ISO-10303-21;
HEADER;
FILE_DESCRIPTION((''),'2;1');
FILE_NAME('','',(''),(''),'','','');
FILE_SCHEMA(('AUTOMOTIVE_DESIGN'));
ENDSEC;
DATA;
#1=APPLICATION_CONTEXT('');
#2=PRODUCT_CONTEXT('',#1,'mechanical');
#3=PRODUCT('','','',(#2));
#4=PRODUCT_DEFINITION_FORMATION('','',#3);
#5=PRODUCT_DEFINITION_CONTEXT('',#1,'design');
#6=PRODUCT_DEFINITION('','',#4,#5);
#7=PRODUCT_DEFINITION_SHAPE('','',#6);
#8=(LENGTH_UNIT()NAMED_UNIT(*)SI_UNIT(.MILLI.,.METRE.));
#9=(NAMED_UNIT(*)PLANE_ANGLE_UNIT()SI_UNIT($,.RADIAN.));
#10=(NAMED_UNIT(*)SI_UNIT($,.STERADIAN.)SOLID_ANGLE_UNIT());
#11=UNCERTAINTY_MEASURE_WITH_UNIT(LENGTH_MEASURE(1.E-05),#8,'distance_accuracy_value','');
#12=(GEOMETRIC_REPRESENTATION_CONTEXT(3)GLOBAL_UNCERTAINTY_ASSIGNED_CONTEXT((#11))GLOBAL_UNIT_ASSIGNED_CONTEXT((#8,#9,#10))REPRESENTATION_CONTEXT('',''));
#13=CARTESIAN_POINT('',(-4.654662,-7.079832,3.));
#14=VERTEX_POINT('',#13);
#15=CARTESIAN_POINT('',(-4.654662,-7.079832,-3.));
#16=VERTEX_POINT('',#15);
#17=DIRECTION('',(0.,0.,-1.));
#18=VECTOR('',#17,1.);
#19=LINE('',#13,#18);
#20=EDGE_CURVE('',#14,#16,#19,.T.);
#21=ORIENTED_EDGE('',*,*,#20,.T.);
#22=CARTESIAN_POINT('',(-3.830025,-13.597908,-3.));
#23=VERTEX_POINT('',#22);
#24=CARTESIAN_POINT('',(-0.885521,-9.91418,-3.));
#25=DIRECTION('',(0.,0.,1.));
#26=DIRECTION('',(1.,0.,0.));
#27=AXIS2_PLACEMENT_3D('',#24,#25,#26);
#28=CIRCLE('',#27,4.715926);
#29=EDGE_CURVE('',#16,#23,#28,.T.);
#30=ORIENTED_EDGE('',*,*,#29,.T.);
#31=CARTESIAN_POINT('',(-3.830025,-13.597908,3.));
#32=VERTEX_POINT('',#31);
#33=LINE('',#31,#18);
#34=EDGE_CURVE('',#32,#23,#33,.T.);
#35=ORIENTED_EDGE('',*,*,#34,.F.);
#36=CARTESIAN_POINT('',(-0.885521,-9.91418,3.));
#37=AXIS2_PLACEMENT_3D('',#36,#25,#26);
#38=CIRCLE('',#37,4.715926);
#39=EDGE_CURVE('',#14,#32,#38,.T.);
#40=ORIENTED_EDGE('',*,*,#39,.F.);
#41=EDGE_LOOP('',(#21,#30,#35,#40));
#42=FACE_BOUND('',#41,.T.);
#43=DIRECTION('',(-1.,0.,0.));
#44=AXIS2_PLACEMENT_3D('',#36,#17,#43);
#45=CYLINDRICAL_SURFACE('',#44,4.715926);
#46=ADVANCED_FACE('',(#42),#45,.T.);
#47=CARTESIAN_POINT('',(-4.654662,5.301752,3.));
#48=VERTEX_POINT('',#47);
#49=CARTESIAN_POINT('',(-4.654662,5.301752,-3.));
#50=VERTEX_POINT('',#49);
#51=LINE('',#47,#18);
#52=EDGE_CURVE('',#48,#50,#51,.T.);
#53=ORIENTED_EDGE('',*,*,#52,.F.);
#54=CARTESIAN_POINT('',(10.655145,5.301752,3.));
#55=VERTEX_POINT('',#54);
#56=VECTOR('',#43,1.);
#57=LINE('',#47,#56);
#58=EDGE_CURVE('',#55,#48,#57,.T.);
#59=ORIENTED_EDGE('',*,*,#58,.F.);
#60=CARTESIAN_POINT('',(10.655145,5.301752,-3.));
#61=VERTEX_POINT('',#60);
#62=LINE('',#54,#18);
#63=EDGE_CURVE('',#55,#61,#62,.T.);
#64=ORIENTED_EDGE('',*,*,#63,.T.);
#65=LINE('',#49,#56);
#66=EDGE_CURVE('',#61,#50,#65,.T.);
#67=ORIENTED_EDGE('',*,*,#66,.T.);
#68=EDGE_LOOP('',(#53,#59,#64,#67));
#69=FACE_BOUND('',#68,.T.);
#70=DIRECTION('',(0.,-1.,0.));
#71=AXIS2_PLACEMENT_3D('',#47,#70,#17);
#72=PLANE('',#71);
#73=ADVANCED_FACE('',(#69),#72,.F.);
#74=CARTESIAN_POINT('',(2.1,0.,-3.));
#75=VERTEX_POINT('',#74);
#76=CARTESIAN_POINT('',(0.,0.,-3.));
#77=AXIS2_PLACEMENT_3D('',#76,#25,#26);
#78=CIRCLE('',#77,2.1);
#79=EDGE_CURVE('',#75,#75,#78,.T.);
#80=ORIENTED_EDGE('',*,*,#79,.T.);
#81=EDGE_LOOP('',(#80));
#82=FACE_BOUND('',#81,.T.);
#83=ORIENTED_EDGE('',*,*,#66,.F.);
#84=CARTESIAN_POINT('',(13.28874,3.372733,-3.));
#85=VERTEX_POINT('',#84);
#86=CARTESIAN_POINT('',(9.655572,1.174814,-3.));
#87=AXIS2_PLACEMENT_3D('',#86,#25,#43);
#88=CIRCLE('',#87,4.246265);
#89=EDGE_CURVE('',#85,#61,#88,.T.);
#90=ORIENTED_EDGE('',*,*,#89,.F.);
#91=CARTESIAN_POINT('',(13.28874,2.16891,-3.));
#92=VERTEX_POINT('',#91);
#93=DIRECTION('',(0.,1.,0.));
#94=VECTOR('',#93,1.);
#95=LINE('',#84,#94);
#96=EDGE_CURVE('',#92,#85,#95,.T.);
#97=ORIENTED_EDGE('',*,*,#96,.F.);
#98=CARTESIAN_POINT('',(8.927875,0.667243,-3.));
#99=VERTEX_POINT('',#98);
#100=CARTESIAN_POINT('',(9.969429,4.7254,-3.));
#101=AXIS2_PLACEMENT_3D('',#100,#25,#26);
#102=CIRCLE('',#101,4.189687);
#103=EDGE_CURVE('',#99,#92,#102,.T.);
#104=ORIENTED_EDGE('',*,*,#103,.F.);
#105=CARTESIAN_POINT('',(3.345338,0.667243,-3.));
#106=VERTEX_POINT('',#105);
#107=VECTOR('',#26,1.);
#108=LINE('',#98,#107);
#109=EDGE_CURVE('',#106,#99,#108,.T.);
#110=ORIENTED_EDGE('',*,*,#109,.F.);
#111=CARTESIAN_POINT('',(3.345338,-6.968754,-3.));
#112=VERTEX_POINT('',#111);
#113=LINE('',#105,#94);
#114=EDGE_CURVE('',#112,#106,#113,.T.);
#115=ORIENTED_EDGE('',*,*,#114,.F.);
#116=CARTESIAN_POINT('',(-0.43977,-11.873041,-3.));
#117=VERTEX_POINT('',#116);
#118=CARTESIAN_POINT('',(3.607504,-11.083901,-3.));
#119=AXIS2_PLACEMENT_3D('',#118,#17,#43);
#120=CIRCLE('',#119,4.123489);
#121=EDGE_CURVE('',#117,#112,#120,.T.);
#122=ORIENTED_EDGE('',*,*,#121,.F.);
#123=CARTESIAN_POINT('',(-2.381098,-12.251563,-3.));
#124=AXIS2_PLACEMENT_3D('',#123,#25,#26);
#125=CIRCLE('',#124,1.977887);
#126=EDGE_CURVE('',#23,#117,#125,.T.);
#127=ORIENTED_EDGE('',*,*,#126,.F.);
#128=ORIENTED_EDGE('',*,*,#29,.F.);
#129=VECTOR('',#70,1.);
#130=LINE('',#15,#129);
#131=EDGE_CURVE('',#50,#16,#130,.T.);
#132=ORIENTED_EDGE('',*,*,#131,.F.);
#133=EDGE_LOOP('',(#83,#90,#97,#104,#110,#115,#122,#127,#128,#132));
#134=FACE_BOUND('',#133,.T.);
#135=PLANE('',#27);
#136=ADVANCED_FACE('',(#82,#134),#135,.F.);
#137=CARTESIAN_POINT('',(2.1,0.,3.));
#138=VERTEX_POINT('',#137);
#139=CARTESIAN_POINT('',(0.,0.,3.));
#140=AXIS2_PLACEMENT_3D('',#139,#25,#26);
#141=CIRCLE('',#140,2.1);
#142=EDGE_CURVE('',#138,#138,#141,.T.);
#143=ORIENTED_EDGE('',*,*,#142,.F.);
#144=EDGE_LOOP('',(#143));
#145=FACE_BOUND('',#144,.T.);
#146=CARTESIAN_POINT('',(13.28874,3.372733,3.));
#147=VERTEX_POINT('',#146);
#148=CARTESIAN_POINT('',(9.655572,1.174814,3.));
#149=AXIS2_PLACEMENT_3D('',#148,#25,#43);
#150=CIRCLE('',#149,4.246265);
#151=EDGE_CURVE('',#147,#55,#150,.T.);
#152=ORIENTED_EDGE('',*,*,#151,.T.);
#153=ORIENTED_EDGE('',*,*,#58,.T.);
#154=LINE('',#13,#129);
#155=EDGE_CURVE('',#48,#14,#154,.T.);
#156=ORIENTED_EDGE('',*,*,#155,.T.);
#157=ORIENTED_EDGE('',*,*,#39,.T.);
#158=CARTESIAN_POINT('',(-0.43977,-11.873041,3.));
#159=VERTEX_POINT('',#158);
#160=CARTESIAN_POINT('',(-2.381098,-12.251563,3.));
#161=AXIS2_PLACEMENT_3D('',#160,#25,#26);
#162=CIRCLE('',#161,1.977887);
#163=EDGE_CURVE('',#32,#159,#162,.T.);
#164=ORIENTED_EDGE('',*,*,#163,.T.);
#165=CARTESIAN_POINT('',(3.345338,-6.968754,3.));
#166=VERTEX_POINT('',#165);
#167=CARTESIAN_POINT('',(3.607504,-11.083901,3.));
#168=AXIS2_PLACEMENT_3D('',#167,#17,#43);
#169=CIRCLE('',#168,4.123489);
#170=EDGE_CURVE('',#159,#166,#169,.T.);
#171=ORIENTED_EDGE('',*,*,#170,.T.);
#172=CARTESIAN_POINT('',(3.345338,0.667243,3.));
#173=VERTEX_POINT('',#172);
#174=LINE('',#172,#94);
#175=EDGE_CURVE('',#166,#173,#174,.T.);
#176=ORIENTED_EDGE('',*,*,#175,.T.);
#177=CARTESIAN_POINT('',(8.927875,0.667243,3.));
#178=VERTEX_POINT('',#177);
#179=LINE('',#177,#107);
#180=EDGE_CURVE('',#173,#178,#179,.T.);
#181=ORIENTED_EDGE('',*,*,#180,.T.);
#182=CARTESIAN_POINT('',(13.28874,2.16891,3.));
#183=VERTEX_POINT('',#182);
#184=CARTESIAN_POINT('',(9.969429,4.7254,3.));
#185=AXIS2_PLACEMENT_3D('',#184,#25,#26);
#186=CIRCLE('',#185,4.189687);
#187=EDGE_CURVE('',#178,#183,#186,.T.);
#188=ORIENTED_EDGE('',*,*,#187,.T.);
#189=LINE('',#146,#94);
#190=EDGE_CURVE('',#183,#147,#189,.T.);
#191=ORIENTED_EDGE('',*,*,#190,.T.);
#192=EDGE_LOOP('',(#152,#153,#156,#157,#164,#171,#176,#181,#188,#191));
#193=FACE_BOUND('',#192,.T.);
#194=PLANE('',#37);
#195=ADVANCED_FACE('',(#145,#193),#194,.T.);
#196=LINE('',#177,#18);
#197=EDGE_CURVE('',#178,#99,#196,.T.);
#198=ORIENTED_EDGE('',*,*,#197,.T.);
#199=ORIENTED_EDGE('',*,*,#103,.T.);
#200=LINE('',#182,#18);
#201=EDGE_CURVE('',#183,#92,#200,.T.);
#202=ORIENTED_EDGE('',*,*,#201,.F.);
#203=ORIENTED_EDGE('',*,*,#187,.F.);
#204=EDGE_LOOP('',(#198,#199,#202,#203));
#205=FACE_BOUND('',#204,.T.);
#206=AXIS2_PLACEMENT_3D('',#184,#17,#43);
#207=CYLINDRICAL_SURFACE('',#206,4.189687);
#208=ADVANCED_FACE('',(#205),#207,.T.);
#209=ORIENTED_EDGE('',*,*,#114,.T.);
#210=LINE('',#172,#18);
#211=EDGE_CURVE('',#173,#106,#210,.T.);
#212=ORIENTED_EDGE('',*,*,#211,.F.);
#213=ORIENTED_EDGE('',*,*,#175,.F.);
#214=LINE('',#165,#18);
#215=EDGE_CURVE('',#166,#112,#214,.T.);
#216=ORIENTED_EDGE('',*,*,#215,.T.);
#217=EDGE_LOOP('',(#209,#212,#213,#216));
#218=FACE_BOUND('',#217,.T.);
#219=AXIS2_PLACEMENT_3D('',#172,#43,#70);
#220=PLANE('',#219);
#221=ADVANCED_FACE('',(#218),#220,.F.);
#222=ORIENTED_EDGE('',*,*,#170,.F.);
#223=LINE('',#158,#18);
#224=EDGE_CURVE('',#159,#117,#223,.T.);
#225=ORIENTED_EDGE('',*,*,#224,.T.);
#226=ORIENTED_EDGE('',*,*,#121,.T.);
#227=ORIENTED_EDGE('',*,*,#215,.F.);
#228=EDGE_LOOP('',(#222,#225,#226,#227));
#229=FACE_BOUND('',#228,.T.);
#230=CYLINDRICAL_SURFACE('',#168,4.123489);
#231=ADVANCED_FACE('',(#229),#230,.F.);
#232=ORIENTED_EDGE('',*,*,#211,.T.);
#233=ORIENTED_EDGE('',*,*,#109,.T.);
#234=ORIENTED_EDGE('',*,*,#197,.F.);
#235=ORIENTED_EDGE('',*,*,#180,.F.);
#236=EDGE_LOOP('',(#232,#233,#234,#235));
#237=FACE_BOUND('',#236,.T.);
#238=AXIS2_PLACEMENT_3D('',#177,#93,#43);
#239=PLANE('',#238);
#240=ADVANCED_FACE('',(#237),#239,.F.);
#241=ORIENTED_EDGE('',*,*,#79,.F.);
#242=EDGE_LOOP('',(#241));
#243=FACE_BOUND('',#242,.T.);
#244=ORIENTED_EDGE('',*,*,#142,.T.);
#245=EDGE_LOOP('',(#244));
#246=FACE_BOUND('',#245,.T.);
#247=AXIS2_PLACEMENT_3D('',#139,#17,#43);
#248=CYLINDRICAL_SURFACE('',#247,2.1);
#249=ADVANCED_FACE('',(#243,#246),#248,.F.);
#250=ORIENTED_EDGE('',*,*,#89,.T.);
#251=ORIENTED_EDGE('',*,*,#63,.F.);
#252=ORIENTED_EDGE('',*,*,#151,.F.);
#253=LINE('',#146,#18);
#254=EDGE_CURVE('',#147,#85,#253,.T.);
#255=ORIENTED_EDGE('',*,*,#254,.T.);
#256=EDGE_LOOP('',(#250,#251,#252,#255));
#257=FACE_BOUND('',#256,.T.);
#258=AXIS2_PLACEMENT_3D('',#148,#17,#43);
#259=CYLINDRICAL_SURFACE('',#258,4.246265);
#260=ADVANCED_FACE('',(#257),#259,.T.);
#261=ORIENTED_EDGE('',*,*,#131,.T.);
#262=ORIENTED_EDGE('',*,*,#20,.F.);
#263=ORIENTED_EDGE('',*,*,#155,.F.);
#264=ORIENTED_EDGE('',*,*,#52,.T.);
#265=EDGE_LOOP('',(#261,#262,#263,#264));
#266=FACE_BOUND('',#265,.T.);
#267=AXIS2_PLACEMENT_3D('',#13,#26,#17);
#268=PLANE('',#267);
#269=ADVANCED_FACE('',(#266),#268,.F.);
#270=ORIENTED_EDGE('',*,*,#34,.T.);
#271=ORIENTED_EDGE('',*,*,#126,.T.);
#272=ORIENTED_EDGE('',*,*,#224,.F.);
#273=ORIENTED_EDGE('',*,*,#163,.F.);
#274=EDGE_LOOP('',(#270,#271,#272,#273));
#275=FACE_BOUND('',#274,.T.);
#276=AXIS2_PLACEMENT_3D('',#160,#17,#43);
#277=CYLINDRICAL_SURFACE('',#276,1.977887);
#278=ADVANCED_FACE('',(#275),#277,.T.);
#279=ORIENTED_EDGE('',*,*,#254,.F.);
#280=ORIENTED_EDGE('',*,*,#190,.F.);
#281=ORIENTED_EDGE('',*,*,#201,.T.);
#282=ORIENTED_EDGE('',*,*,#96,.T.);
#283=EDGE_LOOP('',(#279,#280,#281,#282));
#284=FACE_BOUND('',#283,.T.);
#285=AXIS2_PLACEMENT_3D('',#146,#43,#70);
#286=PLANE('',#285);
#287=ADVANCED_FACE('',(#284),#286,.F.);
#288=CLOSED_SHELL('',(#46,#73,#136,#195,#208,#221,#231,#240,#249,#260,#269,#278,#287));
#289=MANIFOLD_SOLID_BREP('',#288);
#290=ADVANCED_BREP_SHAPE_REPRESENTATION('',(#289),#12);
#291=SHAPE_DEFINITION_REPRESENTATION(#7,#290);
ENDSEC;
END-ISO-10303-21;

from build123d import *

# Parameters (mm, degrees)
SKETCH_1_R      = 2.1
EXTRUDE_1_DEPTH = 3


with BuildPart() as part:
    # 스케치1 → 보스-돌출1 (new, symmetric)
    with BuildSketch(Plane.XY):
        with BuildLine():
            Line((-4.654662174, -7.079831659), (-4.654662174, 5.301751688))
            Line((-4.654662174, 5.301751688), (10.655145319, 5.301751688))
            ThreePointArc((10.655145319, 5.301751688), (12.164725545, 4.600439307), (13.28874021, 3.372733093))
            Line((13.28874021, 3.372733093), (13.28874021, 2.168909846))
            ThreePointArc((13.28874021, 2.168909846), (11.333538367, 0.764001831), (8.927874518, 0.66724324))
            Line((8.927874518, 0.66724324), (3.345337826, 0.66724324))
            Line((3.345337826, 0.66724324), (3.345337826, -6.968753808))
            ThreePointArc((3.345337826, -6.968753808), (0.343177667, -8.564508011), (-0.439769501, -11.873041045))
            ThreePointArc((-0.439769501, -11.873041045), (-1.484211123, -14.014409685), (-3.830025316, -13.597907913))
            ThreePointArc((-3.830025316, -13.597907913), (-5.564151963, -10.506098848), (-4.654662174, -7.079831659))
        make_face()
        Circle(SKETCH_1_R, mode=Mode.SUBTRACT)
    extrude(amount=EXTRUDE_1_DEPTH, both=True)


solid = part.part
